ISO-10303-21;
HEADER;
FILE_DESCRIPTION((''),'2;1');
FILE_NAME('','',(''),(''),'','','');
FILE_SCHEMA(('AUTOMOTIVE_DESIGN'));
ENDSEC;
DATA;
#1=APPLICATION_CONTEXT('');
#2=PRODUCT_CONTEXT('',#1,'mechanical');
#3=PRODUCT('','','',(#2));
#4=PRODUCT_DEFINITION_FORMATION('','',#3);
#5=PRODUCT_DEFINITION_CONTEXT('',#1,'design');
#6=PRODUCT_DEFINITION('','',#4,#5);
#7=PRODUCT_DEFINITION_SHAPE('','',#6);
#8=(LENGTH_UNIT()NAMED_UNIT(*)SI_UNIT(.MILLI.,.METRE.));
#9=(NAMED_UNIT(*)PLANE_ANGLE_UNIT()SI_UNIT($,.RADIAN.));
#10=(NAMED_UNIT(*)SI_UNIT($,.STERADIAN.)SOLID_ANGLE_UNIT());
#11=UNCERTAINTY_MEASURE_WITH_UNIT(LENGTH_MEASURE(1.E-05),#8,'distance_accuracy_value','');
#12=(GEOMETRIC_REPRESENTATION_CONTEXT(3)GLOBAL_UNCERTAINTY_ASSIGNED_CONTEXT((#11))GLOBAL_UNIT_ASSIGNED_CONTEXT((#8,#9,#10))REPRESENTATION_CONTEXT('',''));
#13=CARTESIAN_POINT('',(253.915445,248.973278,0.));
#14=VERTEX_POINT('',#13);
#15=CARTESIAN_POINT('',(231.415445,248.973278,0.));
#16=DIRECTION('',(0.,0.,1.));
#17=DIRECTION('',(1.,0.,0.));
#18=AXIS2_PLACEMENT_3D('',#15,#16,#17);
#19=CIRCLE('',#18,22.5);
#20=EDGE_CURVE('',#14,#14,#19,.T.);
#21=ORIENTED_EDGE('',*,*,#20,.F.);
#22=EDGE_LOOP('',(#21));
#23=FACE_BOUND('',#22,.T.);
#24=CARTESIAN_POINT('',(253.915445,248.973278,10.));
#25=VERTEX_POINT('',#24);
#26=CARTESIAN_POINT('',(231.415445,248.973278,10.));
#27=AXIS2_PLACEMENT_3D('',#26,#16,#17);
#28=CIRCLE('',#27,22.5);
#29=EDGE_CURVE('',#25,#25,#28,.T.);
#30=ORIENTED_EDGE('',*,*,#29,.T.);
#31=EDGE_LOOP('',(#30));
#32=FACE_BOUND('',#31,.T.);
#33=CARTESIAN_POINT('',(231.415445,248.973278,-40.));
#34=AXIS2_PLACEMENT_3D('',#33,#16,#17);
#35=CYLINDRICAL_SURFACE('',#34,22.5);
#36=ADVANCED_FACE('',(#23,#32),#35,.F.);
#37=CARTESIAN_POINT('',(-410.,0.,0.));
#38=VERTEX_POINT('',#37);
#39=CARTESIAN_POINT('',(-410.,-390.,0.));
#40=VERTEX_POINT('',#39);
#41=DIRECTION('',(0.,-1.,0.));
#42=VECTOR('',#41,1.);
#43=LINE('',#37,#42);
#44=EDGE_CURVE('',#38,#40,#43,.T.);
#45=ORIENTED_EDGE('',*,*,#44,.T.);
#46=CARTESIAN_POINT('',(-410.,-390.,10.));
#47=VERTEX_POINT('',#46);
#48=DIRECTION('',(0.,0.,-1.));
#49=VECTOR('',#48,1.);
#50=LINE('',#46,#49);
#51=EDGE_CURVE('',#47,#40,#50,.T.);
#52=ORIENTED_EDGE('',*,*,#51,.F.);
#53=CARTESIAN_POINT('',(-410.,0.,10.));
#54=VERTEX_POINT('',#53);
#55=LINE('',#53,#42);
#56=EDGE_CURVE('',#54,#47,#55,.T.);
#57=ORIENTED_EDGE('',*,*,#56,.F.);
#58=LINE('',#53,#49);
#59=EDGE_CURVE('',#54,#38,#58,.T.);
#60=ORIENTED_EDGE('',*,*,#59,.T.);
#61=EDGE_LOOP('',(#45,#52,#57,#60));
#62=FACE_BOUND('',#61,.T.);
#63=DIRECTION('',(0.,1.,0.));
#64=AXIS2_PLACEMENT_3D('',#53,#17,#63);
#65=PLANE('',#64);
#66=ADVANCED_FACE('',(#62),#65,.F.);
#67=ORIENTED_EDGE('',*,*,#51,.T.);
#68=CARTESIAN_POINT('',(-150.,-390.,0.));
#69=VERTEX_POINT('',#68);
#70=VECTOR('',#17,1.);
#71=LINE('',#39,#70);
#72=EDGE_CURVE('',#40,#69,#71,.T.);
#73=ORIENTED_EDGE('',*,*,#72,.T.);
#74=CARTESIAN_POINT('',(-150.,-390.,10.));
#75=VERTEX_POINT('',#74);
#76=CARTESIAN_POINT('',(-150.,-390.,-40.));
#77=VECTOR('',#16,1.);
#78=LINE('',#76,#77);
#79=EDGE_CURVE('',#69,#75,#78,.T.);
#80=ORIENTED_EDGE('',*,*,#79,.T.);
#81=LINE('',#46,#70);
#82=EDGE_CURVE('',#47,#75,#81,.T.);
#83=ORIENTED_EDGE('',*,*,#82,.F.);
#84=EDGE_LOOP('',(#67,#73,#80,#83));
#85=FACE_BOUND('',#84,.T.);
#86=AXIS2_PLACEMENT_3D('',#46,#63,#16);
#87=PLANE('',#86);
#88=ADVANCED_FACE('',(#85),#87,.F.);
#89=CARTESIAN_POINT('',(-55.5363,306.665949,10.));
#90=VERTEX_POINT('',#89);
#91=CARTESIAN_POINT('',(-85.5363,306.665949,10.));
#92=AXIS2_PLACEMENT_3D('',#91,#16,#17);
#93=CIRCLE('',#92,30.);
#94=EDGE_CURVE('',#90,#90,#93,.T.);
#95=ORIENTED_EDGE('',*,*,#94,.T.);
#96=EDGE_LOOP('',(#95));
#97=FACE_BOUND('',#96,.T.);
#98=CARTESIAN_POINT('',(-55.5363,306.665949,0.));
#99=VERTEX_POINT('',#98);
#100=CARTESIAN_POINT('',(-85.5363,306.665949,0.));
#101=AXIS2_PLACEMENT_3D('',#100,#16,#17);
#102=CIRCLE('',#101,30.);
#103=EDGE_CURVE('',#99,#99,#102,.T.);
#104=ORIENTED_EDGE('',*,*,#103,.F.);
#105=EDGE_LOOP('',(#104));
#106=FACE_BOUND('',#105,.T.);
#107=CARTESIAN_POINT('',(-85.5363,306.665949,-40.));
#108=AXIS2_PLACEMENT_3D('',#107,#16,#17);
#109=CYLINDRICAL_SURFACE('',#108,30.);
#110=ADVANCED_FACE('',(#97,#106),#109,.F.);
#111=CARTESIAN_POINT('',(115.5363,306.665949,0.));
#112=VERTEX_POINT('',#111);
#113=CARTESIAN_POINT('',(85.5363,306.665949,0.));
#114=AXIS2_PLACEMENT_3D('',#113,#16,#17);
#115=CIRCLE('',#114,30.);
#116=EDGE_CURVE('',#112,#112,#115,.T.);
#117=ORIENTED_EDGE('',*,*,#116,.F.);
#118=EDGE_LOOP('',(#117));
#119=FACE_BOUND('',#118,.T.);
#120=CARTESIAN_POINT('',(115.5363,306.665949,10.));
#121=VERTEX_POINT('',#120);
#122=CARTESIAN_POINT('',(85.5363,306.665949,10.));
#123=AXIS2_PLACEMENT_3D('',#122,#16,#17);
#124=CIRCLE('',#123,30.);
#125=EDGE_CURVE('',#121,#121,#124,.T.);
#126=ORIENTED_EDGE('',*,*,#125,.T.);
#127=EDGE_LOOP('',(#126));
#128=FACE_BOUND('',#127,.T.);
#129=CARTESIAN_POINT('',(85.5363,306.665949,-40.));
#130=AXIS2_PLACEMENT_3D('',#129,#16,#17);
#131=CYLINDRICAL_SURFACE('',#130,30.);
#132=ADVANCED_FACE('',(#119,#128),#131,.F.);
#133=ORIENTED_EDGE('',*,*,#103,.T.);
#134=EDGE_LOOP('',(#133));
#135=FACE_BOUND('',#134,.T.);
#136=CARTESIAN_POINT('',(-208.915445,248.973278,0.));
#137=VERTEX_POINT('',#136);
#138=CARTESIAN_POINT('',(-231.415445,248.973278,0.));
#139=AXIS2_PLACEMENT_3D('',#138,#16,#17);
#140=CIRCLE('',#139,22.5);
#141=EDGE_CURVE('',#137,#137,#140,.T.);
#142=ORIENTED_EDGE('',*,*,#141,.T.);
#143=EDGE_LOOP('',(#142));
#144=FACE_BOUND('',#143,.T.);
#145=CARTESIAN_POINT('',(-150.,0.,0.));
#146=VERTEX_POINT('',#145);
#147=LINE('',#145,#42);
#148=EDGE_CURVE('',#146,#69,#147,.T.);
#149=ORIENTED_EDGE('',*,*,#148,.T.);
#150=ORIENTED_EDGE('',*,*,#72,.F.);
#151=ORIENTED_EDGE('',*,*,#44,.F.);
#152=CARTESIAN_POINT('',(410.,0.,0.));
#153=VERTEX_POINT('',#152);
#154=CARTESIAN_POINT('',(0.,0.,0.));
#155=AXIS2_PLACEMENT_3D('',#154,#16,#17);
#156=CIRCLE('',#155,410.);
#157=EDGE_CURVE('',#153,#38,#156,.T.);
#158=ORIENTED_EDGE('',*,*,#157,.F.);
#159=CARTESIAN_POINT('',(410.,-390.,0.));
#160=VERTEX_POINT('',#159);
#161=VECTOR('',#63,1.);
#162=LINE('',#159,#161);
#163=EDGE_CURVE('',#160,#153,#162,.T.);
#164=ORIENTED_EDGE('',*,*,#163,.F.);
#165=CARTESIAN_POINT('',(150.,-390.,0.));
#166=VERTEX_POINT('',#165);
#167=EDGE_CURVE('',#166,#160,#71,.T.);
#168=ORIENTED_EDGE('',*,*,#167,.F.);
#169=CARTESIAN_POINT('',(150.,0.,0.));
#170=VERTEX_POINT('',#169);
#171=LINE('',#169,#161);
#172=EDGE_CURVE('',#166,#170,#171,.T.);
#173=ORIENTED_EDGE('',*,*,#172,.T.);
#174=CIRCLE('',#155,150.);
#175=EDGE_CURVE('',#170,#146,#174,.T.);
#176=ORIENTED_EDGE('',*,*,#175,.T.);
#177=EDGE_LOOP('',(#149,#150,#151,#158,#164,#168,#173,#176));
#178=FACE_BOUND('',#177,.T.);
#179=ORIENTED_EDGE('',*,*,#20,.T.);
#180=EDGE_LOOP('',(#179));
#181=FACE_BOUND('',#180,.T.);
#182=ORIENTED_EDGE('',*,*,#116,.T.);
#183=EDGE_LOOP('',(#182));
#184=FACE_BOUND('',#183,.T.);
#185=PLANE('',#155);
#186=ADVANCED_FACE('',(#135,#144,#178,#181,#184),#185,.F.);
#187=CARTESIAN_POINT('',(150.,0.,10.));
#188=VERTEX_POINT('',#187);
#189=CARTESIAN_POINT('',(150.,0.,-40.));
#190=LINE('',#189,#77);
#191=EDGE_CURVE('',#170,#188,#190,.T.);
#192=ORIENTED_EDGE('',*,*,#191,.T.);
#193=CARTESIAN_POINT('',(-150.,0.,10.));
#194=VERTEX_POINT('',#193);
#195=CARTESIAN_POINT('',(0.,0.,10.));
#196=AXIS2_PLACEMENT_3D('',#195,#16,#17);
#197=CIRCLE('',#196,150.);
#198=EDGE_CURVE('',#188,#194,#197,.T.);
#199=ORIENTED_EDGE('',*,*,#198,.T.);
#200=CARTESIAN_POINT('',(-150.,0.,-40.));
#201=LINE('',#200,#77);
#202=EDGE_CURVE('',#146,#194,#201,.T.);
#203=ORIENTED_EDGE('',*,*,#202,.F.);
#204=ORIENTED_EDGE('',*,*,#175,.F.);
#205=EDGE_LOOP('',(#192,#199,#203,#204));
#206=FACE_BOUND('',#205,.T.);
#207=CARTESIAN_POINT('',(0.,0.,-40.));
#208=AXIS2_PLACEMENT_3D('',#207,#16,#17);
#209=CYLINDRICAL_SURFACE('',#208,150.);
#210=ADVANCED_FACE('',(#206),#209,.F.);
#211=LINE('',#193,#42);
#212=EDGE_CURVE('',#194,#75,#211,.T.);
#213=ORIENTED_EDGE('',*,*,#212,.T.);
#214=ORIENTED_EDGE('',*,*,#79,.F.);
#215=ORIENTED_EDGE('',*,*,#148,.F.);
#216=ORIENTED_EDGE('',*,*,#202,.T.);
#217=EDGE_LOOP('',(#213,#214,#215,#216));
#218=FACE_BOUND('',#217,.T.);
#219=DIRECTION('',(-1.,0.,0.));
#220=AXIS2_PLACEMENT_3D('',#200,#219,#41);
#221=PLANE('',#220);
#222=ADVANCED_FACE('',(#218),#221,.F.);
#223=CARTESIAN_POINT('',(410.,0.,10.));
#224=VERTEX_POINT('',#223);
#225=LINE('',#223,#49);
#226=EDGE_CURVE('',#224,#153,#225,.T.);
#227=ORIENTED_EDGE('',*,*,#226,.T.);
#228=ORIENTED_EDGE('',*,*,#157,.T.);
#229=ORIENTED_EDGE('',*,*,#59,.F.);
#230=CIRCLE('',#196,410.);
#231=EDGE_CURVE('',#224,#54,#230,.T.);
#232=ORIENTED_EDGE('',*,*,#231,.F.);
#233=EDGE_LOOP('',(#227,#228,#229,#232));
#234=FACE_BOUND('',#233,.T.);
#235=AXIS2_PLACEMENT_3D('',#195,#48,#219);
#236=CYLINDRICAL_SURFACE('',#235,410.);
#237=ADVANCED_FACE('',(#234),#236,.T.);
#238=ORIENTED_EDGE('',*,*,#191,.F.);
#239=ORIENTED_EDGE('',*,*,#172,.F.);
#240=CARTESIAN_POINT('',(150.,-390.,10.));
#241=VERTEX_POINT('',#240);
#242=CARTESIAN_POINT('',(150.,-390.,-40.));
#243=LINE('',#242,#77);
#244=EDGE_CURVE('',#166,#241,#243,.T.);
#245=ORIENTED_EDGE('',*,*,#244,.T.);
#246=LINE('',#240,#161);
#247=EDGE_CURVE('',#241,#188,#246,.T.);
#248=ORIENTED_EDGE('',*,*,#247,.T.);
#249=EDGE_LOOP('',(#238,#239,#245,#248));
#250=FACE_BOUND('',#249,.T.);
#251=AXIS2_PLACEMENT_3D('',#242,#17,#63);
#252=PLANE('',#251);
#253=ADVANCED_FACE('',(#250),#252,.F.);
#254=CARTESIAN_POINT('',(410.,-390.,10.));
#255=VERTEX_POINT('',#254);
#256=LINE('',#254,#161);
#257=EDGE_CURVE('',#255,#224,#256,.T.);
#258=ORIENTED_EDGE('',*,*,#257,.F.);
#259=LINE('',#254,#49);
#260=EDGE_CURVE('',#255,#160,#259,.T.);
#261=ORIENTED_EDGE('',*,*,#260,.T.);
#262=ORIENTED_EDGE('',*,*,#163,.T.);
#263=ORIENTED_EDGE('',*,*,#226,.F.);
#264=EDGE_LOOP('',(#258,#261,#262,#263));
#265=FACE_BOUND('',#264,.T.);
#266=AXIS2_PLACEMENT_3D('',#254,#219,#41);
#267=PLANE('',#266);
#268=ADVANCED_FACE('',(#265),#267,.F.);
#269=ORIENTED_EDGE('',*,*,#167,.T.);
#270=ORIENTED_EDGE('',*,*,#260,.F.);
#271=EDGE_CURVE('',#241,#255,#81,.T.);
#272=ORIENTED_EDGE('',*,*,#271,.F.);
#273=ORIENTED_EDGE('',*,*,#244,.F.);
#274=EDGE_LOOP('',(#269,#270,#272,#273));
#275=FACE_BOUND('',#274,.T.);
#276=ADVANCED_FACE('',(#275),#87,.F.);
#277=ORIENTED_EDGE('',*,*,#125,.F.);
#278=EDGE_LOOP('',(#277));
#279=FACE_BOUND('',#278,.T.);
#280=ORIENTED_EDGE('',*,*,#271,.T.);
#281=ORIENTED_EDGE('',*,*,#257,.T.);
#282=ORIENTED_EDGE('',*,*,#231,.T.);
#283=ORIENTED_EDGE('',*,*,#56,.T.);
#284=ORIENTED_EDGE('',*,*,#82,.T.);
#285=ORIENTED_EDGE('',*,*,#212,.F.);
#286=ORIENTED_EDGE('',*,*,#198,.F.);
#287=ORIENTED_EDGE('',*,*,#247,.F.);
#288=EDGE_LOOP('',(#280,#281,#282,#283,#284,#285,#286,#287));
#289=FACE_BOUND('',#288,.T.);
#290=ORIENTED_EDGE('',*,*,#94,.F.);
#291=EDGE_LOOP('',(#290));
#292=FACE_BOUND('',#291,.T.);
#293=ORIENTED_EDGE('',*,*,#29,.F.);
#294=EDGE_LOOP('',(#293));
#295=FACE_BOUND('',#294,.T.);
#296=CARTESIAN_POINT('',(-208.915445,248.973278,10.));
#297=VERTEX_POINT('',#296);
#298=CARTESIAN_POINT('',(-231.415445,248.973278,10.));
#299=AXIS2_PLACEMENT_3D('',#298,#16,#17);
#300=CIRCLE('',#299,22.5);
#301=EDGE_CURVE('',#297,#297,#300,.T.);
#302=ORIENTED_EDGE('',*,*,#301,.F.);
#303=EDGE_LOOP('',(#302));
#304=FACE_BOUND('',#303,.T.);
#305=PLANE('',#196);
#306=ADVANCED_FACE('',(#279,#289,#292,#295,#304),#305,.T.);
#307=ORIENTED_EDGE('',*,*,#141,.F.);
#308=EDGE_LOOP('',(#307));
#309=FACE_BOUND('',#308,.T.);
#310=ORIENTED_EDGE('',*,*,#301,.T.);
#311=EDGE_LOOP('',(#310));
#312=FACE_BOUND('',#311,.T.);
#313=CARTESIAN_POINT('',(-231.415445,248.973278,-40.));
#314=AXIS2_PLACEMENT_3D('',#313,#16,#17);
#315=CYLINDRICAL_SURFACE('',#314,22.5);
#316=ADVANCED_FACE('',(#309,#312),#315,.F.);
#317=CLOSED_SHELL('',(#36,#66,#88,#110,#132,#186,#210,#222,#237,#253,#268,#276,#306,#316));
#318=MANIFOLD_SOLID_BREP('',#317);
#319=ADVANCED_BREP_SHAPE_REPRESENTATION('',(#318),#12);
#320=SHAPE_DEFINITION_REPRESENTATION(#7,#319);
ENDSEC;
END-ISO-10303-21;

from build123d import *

# Parameters (mm, degrees)
EXTRUDE_1_DEPTH     = 10
SKETCH_3_R          = 30
SKETCH_3_R_2        = 22.5
CUT_EXTRUDE_3_DEPTH = 50


with BuildPart() as part:
    # 草图1 → 凸台-拉伸1 (new body)
    with BuildSketch(Plane.XY):
        with BuildLine():
            Line((-410, 0), (-410, -390))
            Line((-410, -390), (410, -390))
            Line((410, -390), (410, 0))
            ThreePointArc((410, 0), (0, 410), (-410, 0))
        make_face()
    extrude(amount=EXTRUDE_1_DEPTH)

    # 草图3 → 切除-拉伸3 (cut)
    with BuildSketch(Plane.XY.offset(10)):
        with Locations((-85.536299808, 306.665948586)):
            Circle(SKETCH_3_R)
        with Locations((85.536299808, 306.665948586)):
            Circle(SKETCH_3_R)
        with Locations((-231.415444704, 248.973278177)):
            Circle(SKETCH_3_R_2)
        with Locations((231.415444704, 248.973278177)):
            Circle(SKETCH_3_R_2)
        with BuildLine():
            Line((-150, 0), (-150, -390))
            Line((-150, -390), (150, -390))
            Line((150, -390), (150, 0))
            ThreePointArc((150, 0), (0, 150), (-150, 0))
        make_face()
    extrude(amount=-CUT_EXTRUDE_3_DEPTH, mode=Mode.SUBTRACT)


solid = part.part
